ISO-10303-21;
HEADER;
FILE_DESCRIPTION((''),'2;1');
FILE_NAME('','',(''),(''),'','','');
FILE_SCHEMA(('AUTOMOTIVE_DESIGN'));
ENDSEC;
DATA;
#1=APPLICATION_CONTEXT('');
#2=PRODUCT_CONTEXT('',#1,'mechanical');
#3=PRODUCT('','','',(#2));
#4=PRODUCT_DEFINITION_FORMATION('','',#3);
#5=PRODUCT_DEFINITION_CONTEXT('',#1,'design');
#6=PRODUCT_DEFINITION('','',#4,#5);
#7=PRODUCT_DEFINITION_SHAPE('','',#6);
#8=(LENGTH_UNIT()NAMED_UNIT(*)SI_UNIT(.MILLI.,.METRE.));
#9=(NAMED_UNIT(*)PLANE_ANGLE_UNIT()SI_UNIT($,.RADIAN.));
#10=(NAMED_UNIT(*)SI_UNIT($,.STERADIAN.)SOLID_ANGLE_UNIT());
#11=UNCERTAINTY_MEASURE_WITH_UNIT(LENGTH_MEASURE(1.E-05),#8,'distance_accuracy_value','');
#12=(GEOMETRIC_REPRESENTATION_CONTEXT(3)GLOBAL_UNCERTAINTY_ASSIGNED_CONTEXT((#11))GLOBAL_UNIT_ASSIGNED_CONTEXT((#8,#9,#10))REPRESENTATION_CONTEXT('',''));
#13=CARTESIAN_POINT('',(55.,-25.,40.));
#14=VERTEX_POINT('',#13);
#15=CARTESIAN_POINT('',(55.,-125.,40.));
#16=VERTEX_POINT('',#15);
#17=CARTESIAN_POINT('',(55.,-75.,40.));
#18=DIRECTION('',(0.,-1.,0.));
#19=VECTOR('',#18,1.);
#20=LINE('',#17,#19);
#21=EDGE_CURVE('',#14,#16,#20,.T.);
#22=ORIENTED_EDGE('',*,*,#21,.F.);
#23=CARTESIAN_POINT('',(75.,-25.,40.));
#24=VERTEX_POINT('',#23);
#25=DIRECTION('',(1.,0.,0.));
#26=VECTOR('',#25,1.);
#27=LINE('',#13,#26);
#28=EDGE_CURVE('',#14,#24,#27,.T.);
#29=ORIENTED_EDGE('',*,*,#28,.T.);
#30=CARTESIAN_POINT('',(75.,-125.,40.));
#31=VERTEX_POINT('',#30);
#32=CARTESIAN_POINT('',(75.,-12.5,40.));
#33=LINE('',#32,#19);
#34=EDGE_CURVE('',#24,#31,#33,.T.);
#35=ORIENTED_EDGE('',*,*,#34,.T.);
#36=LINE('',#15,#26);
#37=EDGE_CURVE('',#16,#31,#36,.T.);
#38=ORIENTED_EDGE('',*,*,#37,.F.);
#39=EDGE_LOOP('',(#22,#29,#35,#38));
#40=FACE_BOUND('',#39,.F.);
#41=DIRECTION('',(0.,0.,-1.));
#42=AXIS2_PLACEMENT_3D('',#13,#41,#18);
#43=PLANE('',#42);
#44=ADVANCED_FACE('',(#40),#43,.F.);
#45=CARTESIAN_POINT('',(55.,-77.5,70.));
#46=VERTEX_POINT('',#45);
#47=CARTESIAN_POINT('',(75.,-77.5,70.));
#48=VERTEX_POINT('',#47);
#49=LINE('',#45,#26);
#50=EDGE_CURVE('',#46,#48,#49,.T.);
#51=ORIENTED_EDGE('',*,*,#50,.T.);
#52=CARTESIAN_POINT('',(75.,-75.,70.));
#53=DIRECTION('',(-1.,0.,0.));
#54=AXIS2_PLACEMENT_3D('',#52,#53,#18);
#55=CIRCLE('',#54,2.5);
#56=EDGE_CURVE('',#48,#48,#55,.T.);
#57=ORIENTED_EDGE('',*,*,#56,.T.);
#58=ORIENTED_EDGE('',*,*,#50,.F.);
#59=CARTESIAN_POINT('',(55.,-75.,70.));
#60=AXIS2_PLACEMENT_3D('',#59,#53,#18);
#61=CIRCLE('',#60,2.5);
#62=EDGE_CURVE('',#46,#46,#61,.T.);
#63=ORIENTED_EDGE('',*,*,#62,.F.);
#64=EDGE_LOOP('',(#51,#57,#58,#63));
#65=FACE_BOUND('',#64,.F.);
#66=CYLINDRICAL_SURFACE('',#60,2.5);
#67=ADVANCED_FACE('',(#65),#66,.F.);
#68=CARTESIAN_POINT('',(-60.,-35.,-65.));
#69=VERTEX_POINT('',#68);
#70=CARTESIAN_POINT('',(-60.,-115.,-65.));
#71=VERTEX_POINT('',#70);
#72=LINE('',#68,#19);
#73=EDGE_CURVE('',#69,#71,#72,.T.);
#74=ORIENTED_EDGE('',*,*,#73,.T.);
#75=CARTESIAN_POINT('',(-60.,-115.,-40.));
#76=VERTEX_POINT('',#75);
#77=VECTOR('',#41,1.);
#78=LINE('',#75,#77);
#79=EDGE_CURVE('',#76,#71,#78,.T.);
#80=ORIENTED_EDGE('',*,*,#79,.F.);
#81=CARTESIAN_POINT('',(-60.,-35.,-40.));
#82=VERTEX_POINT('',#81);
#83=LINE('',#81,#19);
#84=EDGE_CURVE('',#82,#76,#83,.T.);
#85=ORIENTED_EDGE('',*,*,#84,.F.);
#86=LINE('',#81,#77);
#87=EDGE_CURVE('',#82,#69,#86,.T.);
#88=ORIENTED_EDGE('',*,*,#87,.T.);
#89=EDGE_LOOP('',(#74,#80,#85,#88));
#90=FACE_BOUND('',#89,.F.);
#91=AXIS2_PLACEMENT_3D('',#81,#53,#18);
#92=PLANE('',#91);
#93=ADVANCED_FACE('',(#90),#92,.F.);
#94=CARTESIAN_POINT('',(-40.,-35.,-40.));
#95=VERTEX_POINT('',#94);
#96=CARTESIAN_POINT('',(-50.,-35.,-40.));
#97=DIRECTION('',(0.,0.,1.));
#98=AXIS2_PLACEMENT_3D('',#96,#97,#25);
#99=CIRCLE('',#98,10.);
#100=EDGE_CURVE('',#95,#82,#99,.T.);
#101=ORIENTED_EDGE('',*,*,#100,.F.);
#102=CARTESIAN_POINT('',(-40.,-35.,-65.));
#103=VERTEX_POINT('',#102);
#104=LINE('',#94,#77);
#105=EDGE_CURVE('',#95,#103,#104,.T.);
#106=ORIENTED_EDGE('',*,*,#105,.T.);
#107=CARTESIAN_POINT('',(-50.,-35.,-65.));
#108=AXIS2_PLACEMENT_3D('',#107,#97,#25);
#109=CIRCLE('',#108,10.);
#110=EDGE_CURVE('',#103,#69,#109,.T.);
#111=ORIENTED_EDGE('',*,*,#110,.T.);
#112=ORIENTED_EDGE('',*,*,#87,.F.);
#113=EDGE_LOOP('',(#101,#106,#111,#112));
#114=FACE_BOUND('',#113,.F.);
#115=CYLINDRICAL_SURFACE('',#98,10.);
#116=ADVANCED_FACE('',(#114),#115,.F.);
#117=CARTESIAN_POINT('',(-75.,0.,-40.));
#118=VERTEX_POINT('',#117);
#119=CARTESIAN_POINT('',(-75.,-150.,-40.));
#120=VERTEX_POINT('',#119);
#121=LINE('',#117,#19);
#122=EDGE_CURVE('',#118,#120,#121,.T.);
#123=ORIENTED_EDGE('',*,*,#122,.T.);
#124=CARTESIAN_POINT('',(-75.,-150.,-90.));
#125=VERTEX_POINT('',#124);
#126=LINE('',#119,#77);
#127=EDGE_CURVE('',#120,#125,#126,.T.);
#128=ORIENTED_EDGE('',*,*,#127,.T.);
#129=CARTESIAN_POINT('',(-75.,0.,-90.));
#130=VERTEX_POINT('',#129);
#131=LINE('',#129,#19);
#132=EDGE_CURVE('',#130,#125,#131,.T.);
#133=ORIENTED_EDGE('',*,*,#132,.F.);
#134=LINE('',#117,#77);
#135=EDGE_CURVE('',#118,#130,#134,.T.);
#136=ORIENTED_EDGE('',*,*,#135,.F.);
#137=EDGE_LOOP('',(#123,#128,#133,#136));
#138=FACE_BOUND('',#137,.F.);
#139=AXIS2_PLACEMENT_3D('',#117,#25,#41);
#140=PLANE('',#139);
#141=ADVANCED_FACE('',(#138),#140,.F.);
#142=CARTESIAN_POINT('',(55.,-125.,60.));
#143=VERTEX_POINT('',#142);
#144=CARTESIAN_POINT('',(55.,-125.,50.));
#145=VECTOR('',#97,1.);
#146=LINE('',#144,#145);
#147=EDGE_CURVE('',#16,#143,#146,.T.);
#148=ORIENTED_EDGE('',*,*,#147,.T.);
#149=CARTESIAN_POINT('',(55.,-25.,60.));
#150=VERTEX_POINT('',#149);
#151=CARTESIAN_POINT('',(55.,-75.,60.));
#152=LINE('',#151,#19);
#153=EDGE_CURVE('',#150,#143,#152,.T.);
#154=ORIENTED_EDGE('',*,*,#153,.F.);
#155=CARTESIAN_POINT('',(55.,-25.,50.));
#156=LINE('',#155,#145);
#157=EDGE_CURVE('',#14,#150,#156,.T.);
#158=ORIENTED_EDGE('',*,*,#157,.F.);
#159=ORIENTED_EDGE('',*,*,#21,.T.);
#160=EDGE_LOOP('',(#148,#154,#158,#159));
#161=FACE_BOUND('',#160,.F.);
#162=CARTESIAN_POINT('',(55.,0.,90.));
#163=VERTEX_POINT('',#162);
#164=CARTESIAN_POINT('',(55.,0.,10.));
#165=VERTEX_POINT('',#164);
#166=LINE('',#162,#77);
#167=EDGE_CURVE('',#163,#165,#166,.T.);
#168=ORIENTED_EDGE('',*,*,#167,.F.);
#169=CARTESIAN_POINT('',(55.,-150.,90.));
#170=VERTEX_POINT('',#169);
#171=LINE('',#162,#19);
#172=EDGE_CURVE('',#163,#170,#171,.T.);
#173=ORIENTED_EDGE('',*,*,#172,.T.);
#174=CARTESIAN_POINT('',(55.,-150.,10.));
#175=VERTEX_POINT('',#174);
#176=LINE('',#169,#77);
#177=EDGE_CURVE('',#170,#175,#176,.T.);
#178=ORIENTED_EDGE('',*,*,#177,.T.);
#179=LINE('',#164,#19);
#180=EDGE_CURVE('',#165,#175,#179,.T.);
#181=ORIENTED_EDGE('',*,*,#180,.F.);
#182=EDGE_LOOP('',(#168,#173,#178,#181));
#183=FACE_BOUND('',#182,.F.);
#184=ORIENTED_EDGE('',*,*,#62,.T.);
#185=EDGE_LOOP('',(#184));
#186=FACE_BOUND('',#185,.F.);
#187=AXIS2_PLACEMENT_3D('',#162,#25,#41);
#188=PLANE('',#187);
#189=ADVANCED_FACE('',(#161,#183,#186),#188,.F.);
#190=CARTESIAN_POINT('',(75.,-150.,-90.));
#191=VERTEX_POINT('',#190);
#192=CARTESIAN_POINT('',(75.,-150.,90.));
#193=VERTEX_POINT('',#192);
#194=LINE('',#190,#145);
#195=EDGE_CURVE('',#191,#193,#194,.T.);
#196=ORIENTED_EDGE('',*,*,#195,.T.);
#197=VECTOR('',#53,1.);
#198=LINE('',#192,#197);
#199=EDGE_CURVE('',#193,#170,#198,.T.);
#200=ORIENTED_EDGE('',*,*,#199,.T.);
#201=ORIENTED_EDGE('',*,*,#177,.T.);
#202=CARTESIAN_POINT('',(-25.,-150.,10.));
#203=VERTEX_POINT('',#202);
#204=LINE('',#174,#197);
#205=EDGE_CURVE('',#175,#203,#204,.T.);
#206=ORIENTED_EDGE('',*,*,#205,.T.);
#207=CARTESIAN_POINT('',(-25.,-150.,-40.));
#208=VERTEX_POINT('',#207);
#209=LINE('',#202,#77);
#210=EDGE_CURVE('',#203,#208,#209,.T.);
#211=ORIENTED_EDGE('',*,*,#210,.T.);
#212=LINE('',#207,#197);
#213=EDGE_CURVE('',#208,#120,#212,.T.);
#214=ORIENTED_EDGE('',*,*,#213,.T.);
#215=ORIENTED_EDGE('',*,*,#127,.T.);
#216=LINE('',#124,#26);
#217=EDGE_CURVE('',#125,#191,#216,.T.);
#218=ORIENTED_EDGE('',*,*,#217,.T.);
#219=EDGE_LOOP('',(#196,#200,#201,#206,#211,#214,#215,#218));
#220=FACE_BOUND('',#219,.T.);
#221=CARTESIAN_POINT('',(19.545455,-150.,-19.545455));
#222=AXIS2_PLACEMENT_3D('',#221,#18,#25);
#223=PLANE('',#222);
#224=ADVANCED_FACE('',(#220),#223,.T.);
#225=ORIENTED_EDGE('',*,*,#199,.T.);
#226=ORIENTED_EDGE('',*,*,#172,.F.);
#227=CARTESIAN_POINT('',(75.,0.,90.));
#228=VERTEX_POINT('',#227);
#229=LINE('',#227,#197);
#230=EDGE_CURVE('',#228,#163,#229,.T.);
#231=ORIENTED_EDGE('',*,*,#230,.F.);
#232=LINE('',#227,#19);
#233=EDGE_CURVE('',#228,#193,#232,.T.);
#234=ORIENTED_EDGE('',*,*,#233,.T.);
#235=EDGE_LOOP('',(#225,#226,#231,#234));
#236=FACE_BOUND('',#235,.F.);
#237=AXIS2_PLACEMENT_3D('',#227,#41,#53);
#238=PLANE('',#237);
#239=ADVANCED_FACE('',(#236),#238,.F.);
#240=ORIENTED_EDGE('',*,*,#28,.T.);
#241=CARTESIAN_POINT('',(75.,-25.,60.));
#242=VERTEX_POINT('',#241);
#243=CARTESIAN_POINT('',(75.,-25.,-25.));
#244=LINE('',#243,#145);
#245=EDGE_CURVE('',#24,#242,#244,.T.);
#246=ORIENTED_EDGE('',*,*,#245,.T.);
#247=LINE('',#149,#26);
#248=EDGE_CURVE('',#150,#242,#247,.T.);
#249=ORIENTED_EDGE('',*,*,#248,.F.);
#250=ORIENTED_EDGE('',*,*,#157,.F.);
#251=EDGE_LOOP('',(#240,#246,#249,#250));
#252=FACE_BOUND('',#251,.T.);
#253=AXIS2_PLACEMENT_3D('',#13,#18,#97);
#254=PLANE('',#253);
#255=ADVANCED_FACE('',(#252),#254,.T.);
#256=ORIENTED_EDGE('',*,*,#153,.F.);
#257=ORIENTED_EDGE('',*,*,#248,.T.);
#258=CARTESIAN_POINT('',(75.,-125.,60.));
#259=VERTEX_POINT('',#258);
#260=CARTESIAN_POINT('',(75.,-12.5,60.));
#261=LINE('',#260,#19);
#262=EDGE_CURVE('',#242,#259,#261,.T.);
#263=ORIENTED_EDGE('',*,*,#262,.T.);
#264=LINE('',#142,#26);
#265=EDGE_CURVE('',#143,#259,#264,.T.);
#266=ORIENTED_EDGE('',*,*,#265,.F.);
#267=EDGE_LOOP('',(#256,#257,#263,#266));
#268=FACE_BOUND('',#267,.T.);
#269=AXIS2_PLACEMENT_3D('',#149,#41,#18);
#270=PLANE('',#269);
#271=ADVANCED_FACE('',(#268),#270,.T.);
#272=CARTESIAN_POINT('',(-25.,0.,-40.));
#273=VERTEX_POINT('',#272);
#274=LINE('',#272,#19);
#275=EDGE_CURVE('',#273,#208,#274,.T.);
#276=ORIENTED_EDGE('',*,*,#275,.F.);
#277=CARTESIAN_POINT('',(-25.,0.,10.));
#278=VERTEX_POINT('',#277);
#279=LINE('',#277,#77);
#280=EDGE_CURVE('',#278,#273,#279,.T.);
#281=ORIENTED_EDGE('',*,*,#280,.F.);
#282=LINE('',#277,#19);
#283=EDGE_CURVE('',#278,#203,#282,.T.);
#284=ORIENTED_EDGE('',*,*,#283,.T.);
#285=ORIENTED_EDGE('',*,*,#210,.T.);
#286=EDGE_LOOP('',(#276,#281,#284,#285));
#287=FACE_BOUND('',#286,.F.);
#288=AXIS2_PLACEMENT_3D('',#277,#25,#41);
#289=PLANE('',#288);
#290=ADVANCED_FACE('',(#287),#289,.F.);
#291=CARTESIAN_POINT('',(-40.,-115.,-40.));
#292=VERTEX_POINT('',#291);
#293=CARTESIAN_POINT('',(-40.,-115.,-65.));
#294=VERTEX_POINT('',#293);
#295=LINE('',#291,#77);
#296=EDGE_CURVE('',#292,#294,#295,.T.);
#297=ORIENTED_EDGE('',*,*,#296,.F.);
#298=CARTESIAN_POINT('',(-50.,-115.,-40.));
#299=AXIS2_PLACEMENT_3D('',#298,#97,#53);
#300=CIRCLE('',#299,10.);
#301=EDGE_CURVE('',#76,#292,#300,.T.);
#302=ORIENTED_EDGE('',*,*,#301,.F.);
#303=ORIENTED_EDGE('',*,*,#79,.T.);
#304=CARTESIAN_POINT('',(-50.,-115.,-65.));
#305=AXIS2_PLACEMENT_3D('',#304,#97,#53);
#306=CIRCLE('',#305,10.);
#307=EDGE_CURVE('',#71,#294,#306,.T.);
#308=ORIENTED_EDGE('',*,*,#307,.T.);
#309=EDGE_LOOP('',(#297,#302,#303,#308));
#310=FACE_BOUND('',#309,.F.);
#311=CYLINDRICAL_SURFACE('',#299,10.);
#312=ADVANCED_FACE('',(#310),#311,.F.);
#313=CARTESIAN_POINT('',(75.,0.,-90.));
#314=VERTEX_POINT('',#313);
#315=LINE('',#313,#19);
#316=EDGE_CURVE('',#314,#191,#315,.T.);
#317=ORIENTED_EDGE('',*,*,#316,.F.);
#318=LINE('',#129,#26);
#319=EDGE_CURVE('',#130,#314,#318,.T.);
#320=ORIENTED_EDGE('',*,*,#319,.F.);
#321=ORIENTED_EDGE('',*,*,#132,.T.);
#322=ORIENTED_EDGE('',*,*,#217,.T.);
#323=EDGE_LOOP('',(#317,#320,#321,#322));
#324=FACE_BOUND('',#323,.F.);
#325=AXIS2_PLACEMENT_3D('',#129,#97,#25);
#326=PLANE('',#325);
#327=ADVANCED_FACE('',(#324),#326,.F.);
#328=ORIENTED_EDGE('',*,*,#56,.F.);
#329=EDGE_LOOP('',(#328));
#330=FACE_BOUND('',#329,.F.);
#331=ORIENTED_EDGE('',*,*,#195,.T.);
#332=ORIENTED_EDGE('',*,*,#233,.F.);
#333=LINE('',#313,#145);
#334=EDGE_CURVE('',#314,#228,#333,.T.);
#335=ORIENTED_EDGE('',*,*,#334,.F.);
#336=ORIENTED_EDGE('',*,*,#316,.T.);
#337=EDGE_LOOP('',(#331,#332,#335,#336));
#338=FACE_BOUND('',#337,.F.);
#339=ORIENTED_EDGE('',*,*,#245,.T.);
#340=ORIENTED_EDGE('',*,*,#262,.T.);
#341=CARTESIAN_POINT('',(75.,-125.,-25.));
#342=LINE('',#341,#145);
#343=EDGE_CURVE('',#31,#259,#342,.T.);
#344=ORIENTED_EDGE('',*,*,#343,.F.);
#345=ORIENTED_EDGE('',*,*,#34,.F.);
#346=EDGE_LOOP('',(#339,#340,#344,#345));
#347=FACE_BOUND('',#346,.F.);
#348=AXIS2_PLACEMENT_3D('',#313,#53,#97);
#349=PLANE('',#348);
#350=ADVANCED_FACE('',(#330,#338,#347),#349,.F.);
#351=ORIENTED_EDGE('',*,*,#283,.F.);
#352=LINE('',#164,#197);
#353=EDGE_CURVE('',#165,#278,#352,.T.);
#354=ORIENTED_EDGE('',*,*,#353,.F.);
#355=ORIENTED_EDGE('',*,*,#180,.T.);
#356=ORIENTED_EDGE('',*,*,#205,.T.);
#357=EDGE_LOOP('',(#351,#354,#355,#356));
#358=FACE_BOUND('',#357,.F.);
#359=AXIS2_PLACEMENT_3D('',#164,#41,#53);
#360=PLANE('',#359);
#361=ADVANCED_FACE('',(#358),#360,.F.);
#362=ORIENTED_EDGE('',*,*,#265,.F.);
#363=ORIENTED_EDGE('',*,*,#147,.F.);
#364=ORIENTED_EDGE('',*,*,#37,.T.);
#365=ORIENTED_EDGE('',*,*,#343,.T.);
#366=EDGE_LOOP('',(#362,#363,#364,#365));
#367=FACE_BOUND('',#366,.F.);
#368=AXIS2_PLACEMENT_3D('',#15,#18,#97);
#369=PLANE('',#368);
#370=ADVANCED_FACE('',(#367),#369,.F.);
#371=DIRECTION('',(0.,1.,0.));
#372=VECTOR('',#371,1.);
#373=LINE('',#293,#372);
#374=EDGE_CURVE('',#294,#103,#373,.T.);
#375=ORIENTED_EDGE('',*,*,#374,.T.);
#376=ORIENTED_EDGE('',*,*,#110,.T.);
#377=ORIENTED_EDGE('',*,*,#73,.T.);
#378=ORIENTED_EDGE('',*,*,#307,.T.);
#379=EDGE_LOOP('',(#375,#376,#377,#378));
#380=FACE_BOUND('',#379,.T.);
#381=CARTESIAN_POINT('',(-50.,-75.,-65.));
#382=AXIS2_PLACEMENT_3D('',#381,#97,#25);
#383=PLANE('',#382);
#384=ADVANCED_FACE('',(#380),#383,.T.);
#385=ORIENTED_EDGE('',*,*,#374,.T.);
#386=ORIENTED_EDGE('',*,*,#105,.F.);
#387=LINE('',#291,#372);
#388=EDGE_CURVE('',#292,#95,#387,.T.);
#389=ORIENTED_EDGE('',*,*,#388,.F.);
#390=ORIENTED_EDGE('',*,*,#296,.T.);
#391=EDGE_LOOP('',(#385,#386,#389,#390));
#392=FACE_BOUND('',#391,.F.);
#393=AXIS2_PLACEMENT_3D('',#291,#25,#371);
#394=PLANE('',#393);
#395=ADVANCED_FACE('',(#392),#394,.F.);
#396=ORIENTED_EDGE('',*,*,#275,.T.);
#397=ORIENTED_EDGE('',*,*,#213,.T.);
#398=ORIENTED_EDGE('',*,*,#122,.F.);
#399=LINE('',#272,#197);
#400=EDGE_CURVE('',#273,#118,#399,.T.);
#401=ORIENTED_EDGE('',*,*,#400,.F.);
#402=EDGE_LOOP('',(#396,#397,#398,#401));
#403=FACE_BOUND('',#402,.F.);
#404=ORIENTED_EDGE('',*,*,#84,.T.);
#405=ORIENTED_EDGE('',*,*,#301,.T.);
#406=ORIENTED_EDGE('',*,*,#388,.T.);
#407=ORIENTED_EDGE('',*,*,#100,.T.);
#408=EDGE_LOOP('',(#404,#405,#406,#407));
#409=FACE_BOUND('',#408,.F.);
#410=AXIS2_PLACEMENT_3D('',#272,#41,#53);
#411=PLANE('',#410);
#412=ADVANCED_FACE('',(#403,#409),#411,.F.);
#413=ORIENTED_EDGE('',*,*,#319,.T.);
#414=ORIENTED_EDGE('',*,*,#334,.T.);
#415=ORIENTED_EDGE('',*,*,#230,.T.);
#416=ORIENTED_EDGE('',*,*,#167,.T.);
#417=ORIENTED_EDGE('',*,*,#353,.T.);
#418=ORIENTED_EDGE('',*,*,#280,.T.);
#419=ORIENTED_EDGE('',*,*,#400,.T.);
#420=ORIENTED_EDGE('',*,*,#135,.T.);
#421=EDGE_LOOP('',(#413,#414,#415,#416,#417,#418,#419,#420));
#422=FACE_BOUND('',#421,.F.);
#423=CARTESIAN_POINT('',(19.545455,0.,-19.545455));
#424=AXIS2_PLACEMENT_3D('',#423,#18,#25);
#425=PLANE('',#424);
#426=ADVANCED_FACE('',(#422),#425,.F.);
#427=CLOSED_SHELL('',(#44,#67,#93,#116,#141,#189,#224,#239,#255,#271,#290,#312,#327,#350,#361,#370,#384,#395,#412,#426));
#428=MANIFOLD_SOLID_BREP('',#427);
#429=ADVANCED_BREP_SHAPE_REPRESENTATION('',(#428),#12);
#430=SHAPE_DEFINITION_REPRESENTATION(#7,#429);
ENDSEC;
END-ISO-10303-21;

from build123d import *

# Parameters (mm, degrees)
F1_DEPTH = 150
F2_W     = 100
F2_H     = 20
F3_DEPTH = 20.001
F6_DEPTH = 25
F4_R     = 2.5
F7_DEPTH = 20.001


with BuildPart() as f1:
    # F0 (on Front) → F1 (new body)
    with BuildSketch(Plane.XZ):
        Polygon((75, -90), (75, 90), (55, 90), (55, 10), (-25, 10), (-25, -40), (-75, -40), (-75, -90), align=None)
    extrude(amount=F1_DEPTH)

    # F2 (on face) → F3 (cut, through all)
    with BuildSketch(Plane(origin=(55, 0, 0), x_dir=(0, -1, 0), z_dir=(-1, 0, 0))):
        with Locations((75, 50)):
            Rectangle(F2_W, F2_H)
    extrude(amount=-F3_DEPTH, mode=Mode.SUBTRACT)

    # F5 (on face) → F6 (cut)
    with BuildSketch(Plane.XY.offset(-40)):
        with BuildLine():
            ThreePointArc((-40, -35), (-50, -25), (-60, -35))
            Line((-60, -35), (-60, -115))
            ThreePointArc((-60, -115), (-50, -125), (-40, -115))
            Line((-40, -115), (-40, -35))
        make_face()
    extrude(amount=-F6_DEPTH, mode=Mode.SUBTRACT)

    # F4 (on face) → F7 (cut, through all)
    with BuildSketch(Plane(origin=(55, 0, 0), x_dir=(0, -1, 0), z_dir=(-1, 0, 0))):
        with Locations((75, 70)):
            Circle(F4_R)
    extrude(amount=-F7_DEPTH, mode=Mode.SUBTRACT)


solid = f1.part
